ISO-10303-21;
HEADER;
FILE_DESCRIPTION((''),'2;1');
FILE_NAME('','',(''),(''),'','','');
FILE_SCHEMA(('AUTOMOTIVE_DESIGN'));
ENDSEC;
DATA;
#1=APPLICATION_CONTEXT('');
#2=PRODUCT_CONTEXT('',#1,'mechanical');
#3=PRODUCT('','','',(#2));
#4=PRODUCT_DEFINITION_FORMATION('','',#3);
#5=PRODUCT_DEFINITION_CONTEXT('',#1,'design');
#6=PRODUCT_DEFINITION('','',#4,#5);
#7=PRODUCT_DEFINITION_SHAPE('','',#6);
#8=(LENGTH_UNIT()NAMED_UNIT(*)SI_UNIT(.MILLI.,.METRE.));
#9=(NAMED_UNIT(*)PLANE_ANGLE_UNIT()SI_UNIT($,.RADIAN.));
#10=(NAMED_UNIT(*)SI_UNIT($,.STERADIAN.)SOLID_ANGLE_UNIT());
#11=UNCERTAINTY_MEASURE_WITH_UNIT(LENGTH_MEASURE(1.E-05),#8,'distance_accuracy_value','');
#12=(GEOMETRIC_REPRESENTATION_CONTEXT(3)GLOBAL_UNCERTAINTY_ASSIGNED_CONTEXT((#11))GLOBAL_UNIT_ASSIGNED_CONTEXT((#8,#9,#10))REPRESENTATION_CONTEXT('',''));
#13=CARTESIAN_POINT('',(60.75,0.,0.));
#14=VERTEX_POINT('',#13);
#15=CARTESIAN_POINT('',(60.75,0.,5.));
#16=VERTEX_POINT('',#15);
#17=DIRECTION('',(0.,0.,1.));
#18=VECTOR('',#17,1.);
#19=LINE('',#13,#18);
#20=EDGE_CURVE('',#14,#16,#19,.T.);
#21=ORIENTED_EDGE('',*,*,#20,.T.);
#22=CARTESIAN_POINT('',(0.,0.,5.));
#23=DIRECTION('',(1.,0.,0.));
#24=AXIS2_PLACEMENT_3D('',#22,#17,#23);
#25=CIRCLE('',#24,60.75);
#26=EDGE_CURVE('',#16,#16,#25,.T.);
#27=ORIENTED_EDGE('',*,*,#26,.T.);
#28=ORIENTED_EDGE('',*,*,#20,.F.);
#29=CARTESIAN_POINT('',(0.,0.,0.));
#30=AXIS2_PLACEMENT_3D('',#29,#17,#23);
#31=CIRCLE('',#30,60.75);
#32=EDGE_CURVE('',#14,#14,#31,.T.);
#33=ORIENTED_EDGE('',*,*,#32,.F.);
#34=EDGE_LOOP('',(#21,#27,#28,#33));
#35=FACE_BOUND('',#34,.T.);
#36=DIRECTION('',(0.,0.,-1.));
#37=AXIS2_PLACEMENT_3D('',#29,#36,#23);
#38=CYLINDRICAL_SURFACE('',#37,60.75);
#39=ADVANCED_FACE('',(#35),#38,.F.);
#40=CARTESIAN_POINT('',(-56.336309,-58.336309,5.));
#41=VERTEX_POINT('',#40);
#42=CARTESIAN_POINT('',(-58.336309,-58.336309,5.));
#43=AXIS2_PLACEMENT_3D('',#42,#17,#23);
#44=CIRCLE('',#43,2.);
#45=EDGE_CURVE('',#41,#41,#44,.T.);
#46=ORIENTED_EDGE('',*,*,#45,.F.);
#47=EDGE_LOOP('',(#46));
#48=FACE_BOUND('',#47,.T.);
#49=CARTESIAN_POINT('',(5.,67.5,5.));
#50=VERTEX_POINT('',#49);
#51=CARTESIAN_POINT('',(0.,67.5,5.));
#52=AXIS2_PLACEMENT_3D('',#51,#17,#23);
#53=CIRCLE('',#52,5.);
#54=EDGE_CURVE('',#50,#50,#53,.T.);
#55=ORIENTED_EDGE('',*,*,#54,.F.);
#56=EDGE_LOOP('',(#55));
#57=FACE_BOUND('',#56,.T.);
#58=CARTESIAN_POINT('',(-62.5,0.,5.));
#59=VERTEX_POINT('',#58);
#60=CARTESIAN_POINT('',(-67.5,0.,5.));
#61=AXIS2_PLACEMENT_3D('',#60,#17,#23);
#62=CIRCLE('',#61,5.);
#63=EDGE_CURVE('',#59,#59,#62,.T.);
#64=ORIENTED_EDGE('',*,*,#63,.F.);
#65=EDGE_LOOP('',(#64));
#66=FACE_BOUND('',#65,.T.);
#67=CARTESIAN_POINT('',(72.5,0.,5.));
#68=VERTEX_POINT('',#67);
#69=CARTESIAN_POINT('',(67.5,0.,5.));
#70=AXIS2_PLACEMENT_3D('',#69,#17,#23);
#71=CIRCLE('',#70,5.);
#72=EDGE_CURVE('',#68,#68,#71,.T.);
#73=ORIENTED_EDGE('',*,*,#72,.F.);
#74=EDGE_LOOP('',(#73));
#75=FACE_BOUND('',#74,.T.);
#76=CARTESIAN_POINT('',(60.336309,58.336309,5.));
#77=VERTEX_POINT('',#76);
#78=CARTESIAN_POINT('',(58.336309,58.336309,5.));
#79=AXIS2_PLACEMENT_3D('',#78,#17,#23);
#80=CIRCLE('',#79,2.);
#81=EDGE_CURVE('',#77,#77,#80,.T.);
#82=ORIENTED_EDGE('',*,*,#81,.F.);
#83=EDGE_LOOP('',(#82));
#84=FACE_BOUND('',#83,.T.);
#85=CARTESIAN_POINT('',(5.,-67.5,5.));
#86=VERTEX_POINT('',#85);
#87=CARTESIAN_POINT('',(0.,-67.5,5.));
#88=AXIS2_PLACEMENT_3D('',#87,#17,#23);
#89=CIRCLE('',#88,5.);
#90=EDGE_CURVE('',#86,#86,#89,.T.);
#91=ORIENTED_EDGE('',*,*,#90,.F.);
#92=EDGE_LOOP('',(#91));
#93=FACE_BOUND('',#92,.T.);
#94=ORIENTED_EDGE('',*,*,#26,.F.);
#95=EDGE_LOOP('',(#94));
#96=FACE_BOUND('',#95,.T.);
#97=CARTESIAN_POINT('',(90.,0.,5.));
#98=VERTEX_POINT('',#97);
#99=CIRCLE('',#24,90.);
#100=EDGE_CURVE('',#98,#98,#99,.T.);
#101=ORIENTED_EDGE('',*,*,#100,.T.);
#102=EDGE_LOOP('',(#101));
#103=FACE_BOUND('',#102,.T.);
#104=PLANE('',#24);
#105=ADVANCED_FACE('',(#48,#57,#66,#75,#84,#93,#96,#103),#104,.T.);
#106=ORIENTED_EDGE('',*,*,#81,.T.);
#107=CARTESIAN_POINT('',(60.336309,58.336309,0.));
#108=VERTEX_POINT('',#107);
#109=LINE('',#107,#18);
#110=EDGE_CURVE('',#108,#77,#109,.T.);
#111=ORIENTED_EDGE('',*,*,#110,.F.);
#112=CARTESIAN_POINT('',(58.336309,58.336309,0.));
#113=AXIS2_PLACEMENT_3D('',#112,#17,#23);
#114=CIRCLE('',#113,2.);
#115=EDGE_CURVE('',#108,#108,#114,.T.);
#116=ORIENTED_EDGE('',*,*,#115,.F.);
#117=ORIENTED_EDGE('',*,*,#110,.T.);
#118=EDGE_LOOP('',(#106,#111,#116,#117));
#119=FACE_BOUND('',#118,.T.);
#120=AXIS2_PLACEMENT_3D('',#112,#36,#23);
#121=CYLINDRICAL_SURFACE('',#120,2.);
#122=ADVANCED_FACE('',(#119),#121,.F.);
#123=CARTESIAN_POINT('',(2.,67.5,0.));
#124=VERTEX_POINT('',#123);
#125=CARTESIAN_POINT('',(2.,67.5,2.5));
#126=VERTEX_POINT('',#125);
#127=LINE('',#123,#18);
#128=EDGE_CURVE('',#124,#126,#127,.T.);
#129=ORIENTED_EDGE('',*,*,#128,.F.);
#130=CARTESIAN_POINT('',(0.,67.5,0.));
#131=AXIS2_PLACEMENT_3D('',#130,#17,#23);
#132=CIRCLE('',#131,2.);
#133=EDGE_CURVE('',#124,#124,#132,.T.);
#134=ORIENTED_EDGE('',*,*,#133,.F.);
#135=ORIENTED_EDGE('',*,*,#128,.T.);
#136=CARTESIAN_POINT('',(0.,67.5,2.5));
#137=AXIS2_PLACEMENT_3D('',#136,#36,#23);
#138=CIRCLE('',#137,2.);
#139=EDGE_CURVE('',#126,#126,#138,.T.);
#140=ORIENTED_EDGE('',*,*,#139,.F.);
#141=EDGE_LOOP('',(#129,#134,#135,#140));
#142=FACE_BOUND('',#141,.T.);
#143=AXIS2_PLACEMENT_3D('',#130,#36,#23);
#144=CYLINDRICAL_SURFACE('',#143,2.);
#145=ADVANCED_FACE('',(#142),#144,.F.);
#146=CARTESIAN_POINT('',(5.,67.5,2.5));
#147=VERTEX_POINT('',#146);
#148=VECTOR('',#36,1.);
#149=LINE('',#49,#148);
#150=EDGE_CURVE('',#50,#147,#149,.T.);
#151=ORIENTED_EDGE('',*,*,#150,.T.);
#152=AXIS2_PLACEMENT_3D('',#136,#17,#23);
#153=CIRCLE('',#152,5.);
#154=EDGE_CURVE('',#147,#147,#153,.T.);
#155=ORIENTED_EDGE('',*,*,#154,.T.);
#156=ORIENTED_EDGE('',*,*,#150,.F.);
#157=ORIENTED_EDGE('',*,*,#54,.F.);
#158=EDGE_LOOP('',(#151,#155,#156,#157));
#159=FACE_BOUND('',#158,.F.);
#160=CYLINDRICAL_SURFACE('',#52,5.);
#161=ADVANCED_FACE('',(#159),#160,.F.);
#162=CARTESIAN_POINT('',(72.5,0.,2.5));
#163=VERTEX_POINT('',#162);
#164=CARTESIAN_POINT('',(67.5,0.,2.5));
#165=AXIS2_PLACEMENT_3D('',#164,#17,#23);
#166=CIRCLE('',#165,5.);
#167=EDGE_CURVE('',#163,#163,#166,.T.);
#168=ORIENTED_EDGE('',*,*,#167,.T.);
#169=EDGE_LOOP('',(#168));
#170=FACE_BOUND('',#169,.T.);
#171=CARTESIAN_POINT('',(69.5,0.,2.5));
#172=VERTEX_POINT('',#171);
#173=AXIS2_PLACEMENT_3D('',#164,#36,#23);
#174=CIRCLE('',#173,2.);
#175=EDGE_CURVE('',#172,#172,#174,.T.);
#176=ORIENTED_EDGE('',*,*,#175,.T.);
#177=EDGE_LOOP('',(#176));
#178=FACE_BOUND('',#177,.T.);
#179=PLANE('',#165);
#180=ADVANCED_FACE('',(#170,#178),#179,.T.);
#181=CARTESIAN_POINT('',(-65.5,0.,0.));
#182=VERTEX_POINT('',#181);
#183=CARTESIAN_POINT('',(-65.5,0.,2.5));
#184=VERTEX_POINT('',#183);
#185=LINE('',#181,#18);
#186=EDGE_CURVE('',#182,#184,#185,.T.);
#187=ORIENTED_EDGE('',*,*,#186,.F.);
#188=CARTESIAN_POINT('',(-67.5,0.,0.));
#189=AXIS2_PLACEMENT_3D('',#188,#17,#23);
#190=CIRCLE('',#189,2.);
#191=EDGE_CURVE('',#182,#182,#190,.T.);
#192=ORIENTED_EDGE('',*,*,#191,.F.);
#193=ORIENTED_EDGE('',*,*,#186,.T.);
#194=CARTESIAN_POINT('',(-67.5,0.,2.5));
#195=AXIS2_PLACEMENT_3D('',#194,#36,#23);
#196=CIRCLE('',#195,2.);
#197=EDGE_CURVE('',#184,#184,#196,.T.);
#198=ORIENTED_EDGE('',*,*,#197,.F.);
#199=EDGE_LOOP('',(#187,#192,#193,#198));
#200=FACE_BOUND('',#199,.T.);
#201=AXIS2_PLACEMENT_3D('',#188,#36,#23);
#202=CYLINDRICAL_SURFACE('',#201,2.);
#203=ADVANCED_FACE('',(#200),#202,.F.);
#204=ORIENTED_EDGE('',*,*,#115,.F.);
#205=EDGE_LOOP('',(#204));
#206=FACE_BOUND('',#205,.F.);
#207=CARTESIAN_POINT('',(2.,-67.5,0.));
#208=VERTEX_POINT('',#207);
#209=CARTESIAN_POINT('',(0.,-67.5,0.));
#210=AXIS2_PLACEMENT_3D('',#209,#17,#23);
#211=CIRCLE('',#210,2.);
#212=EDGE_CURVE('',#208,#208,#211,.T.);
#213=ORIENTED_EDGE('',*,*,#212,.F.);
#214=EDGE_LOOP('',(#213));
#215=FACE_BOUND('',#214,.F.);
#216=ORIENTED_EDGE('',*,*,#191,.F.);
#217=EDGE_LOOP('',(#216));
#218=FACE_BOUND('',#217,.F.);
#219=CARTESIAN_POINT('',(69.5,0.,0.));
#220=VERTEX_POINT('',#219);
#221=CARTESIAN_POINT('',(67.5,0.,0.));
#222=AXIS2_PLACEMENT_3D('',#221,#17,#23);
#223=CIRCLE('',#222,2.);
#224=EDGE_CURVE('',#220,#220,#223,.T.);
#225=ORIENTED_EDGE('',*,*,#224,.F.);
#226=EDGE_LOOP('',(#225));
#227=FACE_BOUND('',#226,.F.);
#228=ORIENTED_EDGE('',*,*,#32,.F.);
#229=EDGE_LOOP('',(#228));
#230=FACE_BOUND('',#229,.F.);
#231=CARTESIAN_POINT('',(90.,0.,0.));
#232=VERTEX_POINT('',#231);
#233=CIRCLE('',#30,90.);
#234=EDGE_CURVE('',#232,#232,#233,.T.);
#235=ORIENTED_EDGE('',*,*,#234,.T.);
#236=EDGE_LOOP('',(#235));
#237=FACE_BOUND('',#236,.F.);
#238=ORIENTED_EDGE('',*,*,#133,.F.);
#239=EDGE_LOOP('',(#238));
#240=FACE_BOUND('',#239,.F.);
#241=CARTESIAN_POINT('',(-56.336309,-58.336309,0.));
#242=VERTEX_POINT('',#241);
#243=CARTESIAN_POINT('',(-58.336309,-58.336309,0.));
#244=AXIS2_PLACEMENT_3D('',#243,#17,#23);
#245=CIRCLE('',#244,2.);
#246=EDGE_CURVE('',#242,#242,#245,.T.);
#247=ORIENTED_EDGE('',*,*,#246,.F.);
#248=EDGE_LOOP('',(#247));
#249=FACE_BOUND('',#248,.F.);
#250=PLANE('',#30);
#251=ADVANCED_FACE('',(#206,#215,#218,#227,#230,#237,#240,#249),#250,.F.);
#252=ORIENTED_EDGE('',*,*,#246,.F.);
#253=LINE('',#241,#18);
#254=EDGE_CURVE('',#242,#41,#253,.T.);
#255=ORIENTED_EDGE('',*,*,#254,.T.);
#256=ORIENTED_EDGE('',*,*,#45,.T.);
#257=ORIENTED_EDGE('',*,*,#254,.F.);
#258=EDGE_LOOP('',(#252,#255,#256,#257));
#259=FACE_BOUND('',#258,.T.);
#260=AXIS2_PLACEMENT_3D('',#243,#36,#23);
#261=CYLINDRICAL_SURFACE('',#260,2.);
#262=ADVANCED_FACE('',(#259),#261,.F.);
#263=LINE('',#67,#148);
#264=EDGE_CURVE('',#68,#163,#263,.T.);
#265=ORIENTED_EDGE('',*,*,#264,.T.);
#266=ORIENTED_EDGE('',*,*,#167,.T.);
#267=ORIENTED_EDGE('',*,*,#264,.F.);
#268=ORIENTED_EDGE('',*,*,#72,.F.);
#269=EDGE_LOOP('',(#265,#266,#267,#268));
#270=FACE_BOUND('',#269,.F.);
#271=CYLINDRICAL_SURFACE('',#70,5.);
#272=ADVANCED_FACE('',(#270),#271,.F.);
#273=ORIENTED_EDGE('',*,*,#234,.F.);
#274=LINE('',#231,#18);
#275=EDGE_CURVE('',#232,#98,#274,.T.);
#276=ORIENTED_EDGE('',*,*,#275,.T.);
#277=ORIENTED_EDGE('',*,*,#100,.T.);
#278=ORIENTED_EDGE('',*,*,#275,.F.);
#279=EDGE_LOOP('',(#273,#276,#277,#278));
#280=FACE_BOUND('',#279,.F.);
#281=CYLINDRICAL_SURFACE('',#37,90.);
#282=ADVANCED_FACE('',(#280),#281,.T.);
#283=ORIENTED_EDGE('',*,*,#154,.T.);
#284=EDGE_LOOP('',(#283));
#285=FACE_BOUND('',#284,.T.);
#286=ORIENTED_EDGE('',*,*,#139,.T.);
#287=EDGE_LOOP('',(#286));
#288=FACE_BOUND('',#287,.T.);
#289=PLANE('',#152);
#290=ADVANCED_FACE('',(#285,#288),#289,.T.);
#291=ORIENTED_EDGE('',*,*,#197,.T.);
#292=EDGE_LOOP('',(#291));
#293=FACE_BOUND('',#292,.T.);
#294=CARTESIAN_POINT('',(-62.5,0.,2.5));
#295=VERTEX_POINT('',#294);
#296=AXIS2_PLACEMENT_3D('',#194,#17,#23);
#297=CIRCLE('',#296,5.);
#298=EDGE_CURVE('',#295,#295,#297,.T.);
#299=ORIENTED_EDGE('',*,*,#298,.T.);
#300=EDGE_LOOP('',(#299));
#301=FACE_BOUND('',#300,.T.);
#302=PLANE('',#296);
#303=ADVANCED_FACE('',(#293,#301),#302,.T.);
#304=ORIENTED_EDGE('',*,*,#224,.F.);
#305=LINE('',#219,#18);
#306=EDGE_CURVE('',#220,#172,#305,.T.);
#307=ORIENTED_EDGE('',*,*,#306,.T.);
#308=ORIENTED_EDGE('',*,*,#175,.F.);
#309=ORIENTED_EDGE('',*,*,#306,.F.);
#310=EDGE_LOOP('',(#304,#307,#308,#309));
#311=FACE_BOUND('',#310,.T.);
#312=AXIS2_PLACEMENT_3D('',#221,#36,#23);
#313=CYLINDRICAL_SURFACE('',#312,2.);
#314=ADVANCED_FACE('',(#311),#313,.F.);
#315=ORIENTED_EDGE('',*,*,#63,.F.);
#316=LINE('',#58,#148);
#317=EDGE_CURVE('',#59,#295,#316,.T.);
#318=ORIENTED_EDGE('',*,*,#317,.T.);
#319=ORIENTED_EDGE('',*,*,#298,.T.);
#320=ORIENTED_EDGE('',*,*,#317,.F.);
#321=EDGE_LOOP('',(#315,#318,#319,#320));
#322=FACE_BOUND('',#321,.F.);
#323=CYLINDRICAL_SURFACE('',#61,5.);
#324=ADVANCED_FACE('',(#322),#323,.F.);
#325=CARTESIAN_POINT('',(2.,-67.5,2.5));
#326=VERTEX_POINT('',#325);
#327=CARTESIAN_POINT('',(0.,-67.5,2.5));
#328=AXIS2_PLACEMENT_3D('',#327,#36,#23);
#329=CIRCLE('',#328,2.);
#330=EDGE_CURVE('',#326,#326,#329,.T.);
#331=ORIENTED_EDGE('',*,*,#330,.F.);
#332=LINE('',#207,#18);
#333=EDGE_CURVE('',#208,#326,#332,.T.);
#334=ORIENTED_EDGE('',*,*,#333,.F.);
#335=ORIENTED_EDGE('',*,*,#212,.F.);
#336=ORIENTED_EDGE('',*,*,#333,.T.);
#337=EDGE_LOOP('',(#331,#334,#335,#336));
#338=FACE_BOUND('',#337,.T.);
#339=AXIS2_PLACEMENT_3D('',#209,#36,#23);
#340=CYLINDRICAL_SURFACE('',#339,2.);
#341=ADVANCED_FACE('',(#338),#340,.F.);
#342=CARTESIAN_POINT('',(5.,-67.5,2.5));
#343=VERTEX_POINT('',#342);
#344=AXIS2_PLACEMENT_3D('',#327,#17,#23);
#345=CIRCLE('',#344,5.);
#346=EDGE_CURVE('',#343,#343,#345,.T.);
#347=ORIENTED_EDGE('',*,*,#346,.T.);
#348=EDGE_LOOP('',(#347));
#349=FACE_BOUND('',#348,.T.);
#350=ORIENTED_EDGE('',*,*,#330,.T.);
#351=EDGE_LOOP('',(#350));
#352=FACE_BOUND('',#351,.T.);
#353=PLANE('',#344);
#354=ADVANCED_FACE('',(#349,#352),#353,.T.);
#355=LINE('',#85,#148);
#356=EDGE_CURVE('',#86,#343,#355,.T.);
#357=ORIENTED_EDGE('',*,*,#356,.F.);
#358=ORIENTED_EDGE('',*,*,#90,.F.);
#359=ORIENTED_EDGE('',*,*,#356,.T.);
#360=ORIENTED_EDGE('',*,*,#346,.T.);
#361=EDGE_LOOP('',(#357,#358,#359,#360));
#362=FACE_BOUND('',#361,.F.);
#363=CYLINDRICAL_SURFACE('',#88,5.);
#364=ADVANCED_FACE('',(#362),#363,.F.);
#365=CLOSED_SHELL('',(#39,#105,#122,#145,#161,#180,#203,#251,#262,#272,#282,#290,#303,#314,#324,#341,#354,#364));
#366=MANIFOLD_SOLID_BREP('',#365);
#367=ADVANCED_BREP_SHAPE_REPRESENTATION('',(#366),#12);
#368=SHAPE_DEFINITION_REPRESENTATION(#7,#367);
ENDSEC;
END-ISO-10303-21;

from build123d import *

# Parameters (mm, degrees)
SKETCH_R     = 90
SKETCH_R_2   = 60.75
SKETCH_R_3   = 2
PAD_DEPTH    = 5
SKETCH001_R  = 5
POCKET_DEPTH = 2.5


with BuildPart() as part:
    # Sketch → Pad (new body)
    with BuildSketch(Plane.XY):
        Circle(SKETCH_R)
        Circle(SKETCH_R_2, mode=Mode.SUBTRACT)
        with Locations((0, 67.5)):
            Circle(SKETCH_R_3, mode=Mode.SUBTRACT)
        with Locations((67.5, 0)):
            Circle(SKETCH_R_3, mode=Mode.SUBTRACT)
        with Locations((0, -67.5)):
            Circle(SKETCH_R_3, mode=Mode.SUBTRACT)
        with Locations((-67.5, 0)):
            Circle(SKETCH_R_3, mode=Mode.SUBTRACT)
        with Locations((-58.336309, -58.336309)):
            Circle(SKETCH_R_3, mode=Mode.SUBTRACT)
        with Locations((58.336309, 58.336309)):
            Circle(SKETCH_R_3, mode=Mode.SUBTRACT)
    extrude(amount=PAD_DEPTH)

    # Sketch001 (on Face10 of Pad) → Pocket (cut)
    with BuildSketch(Plane.XY.offset(5)):
        with Locations((67.5, 0)):
            Circle(SKETCH001_R)
        with Locations((0, 67.5)):
            Circle(SKETCH001_R)
        with Locations((-67.5, 0)):
            Circle(SKETCH001_R)
        with Locations((0, -67.5)):
            Circle(SKETCH001_R)
    extrude(amount=-POCKET_DEPTH, mode=Mode.SUBTRACT)


solid = part.part
